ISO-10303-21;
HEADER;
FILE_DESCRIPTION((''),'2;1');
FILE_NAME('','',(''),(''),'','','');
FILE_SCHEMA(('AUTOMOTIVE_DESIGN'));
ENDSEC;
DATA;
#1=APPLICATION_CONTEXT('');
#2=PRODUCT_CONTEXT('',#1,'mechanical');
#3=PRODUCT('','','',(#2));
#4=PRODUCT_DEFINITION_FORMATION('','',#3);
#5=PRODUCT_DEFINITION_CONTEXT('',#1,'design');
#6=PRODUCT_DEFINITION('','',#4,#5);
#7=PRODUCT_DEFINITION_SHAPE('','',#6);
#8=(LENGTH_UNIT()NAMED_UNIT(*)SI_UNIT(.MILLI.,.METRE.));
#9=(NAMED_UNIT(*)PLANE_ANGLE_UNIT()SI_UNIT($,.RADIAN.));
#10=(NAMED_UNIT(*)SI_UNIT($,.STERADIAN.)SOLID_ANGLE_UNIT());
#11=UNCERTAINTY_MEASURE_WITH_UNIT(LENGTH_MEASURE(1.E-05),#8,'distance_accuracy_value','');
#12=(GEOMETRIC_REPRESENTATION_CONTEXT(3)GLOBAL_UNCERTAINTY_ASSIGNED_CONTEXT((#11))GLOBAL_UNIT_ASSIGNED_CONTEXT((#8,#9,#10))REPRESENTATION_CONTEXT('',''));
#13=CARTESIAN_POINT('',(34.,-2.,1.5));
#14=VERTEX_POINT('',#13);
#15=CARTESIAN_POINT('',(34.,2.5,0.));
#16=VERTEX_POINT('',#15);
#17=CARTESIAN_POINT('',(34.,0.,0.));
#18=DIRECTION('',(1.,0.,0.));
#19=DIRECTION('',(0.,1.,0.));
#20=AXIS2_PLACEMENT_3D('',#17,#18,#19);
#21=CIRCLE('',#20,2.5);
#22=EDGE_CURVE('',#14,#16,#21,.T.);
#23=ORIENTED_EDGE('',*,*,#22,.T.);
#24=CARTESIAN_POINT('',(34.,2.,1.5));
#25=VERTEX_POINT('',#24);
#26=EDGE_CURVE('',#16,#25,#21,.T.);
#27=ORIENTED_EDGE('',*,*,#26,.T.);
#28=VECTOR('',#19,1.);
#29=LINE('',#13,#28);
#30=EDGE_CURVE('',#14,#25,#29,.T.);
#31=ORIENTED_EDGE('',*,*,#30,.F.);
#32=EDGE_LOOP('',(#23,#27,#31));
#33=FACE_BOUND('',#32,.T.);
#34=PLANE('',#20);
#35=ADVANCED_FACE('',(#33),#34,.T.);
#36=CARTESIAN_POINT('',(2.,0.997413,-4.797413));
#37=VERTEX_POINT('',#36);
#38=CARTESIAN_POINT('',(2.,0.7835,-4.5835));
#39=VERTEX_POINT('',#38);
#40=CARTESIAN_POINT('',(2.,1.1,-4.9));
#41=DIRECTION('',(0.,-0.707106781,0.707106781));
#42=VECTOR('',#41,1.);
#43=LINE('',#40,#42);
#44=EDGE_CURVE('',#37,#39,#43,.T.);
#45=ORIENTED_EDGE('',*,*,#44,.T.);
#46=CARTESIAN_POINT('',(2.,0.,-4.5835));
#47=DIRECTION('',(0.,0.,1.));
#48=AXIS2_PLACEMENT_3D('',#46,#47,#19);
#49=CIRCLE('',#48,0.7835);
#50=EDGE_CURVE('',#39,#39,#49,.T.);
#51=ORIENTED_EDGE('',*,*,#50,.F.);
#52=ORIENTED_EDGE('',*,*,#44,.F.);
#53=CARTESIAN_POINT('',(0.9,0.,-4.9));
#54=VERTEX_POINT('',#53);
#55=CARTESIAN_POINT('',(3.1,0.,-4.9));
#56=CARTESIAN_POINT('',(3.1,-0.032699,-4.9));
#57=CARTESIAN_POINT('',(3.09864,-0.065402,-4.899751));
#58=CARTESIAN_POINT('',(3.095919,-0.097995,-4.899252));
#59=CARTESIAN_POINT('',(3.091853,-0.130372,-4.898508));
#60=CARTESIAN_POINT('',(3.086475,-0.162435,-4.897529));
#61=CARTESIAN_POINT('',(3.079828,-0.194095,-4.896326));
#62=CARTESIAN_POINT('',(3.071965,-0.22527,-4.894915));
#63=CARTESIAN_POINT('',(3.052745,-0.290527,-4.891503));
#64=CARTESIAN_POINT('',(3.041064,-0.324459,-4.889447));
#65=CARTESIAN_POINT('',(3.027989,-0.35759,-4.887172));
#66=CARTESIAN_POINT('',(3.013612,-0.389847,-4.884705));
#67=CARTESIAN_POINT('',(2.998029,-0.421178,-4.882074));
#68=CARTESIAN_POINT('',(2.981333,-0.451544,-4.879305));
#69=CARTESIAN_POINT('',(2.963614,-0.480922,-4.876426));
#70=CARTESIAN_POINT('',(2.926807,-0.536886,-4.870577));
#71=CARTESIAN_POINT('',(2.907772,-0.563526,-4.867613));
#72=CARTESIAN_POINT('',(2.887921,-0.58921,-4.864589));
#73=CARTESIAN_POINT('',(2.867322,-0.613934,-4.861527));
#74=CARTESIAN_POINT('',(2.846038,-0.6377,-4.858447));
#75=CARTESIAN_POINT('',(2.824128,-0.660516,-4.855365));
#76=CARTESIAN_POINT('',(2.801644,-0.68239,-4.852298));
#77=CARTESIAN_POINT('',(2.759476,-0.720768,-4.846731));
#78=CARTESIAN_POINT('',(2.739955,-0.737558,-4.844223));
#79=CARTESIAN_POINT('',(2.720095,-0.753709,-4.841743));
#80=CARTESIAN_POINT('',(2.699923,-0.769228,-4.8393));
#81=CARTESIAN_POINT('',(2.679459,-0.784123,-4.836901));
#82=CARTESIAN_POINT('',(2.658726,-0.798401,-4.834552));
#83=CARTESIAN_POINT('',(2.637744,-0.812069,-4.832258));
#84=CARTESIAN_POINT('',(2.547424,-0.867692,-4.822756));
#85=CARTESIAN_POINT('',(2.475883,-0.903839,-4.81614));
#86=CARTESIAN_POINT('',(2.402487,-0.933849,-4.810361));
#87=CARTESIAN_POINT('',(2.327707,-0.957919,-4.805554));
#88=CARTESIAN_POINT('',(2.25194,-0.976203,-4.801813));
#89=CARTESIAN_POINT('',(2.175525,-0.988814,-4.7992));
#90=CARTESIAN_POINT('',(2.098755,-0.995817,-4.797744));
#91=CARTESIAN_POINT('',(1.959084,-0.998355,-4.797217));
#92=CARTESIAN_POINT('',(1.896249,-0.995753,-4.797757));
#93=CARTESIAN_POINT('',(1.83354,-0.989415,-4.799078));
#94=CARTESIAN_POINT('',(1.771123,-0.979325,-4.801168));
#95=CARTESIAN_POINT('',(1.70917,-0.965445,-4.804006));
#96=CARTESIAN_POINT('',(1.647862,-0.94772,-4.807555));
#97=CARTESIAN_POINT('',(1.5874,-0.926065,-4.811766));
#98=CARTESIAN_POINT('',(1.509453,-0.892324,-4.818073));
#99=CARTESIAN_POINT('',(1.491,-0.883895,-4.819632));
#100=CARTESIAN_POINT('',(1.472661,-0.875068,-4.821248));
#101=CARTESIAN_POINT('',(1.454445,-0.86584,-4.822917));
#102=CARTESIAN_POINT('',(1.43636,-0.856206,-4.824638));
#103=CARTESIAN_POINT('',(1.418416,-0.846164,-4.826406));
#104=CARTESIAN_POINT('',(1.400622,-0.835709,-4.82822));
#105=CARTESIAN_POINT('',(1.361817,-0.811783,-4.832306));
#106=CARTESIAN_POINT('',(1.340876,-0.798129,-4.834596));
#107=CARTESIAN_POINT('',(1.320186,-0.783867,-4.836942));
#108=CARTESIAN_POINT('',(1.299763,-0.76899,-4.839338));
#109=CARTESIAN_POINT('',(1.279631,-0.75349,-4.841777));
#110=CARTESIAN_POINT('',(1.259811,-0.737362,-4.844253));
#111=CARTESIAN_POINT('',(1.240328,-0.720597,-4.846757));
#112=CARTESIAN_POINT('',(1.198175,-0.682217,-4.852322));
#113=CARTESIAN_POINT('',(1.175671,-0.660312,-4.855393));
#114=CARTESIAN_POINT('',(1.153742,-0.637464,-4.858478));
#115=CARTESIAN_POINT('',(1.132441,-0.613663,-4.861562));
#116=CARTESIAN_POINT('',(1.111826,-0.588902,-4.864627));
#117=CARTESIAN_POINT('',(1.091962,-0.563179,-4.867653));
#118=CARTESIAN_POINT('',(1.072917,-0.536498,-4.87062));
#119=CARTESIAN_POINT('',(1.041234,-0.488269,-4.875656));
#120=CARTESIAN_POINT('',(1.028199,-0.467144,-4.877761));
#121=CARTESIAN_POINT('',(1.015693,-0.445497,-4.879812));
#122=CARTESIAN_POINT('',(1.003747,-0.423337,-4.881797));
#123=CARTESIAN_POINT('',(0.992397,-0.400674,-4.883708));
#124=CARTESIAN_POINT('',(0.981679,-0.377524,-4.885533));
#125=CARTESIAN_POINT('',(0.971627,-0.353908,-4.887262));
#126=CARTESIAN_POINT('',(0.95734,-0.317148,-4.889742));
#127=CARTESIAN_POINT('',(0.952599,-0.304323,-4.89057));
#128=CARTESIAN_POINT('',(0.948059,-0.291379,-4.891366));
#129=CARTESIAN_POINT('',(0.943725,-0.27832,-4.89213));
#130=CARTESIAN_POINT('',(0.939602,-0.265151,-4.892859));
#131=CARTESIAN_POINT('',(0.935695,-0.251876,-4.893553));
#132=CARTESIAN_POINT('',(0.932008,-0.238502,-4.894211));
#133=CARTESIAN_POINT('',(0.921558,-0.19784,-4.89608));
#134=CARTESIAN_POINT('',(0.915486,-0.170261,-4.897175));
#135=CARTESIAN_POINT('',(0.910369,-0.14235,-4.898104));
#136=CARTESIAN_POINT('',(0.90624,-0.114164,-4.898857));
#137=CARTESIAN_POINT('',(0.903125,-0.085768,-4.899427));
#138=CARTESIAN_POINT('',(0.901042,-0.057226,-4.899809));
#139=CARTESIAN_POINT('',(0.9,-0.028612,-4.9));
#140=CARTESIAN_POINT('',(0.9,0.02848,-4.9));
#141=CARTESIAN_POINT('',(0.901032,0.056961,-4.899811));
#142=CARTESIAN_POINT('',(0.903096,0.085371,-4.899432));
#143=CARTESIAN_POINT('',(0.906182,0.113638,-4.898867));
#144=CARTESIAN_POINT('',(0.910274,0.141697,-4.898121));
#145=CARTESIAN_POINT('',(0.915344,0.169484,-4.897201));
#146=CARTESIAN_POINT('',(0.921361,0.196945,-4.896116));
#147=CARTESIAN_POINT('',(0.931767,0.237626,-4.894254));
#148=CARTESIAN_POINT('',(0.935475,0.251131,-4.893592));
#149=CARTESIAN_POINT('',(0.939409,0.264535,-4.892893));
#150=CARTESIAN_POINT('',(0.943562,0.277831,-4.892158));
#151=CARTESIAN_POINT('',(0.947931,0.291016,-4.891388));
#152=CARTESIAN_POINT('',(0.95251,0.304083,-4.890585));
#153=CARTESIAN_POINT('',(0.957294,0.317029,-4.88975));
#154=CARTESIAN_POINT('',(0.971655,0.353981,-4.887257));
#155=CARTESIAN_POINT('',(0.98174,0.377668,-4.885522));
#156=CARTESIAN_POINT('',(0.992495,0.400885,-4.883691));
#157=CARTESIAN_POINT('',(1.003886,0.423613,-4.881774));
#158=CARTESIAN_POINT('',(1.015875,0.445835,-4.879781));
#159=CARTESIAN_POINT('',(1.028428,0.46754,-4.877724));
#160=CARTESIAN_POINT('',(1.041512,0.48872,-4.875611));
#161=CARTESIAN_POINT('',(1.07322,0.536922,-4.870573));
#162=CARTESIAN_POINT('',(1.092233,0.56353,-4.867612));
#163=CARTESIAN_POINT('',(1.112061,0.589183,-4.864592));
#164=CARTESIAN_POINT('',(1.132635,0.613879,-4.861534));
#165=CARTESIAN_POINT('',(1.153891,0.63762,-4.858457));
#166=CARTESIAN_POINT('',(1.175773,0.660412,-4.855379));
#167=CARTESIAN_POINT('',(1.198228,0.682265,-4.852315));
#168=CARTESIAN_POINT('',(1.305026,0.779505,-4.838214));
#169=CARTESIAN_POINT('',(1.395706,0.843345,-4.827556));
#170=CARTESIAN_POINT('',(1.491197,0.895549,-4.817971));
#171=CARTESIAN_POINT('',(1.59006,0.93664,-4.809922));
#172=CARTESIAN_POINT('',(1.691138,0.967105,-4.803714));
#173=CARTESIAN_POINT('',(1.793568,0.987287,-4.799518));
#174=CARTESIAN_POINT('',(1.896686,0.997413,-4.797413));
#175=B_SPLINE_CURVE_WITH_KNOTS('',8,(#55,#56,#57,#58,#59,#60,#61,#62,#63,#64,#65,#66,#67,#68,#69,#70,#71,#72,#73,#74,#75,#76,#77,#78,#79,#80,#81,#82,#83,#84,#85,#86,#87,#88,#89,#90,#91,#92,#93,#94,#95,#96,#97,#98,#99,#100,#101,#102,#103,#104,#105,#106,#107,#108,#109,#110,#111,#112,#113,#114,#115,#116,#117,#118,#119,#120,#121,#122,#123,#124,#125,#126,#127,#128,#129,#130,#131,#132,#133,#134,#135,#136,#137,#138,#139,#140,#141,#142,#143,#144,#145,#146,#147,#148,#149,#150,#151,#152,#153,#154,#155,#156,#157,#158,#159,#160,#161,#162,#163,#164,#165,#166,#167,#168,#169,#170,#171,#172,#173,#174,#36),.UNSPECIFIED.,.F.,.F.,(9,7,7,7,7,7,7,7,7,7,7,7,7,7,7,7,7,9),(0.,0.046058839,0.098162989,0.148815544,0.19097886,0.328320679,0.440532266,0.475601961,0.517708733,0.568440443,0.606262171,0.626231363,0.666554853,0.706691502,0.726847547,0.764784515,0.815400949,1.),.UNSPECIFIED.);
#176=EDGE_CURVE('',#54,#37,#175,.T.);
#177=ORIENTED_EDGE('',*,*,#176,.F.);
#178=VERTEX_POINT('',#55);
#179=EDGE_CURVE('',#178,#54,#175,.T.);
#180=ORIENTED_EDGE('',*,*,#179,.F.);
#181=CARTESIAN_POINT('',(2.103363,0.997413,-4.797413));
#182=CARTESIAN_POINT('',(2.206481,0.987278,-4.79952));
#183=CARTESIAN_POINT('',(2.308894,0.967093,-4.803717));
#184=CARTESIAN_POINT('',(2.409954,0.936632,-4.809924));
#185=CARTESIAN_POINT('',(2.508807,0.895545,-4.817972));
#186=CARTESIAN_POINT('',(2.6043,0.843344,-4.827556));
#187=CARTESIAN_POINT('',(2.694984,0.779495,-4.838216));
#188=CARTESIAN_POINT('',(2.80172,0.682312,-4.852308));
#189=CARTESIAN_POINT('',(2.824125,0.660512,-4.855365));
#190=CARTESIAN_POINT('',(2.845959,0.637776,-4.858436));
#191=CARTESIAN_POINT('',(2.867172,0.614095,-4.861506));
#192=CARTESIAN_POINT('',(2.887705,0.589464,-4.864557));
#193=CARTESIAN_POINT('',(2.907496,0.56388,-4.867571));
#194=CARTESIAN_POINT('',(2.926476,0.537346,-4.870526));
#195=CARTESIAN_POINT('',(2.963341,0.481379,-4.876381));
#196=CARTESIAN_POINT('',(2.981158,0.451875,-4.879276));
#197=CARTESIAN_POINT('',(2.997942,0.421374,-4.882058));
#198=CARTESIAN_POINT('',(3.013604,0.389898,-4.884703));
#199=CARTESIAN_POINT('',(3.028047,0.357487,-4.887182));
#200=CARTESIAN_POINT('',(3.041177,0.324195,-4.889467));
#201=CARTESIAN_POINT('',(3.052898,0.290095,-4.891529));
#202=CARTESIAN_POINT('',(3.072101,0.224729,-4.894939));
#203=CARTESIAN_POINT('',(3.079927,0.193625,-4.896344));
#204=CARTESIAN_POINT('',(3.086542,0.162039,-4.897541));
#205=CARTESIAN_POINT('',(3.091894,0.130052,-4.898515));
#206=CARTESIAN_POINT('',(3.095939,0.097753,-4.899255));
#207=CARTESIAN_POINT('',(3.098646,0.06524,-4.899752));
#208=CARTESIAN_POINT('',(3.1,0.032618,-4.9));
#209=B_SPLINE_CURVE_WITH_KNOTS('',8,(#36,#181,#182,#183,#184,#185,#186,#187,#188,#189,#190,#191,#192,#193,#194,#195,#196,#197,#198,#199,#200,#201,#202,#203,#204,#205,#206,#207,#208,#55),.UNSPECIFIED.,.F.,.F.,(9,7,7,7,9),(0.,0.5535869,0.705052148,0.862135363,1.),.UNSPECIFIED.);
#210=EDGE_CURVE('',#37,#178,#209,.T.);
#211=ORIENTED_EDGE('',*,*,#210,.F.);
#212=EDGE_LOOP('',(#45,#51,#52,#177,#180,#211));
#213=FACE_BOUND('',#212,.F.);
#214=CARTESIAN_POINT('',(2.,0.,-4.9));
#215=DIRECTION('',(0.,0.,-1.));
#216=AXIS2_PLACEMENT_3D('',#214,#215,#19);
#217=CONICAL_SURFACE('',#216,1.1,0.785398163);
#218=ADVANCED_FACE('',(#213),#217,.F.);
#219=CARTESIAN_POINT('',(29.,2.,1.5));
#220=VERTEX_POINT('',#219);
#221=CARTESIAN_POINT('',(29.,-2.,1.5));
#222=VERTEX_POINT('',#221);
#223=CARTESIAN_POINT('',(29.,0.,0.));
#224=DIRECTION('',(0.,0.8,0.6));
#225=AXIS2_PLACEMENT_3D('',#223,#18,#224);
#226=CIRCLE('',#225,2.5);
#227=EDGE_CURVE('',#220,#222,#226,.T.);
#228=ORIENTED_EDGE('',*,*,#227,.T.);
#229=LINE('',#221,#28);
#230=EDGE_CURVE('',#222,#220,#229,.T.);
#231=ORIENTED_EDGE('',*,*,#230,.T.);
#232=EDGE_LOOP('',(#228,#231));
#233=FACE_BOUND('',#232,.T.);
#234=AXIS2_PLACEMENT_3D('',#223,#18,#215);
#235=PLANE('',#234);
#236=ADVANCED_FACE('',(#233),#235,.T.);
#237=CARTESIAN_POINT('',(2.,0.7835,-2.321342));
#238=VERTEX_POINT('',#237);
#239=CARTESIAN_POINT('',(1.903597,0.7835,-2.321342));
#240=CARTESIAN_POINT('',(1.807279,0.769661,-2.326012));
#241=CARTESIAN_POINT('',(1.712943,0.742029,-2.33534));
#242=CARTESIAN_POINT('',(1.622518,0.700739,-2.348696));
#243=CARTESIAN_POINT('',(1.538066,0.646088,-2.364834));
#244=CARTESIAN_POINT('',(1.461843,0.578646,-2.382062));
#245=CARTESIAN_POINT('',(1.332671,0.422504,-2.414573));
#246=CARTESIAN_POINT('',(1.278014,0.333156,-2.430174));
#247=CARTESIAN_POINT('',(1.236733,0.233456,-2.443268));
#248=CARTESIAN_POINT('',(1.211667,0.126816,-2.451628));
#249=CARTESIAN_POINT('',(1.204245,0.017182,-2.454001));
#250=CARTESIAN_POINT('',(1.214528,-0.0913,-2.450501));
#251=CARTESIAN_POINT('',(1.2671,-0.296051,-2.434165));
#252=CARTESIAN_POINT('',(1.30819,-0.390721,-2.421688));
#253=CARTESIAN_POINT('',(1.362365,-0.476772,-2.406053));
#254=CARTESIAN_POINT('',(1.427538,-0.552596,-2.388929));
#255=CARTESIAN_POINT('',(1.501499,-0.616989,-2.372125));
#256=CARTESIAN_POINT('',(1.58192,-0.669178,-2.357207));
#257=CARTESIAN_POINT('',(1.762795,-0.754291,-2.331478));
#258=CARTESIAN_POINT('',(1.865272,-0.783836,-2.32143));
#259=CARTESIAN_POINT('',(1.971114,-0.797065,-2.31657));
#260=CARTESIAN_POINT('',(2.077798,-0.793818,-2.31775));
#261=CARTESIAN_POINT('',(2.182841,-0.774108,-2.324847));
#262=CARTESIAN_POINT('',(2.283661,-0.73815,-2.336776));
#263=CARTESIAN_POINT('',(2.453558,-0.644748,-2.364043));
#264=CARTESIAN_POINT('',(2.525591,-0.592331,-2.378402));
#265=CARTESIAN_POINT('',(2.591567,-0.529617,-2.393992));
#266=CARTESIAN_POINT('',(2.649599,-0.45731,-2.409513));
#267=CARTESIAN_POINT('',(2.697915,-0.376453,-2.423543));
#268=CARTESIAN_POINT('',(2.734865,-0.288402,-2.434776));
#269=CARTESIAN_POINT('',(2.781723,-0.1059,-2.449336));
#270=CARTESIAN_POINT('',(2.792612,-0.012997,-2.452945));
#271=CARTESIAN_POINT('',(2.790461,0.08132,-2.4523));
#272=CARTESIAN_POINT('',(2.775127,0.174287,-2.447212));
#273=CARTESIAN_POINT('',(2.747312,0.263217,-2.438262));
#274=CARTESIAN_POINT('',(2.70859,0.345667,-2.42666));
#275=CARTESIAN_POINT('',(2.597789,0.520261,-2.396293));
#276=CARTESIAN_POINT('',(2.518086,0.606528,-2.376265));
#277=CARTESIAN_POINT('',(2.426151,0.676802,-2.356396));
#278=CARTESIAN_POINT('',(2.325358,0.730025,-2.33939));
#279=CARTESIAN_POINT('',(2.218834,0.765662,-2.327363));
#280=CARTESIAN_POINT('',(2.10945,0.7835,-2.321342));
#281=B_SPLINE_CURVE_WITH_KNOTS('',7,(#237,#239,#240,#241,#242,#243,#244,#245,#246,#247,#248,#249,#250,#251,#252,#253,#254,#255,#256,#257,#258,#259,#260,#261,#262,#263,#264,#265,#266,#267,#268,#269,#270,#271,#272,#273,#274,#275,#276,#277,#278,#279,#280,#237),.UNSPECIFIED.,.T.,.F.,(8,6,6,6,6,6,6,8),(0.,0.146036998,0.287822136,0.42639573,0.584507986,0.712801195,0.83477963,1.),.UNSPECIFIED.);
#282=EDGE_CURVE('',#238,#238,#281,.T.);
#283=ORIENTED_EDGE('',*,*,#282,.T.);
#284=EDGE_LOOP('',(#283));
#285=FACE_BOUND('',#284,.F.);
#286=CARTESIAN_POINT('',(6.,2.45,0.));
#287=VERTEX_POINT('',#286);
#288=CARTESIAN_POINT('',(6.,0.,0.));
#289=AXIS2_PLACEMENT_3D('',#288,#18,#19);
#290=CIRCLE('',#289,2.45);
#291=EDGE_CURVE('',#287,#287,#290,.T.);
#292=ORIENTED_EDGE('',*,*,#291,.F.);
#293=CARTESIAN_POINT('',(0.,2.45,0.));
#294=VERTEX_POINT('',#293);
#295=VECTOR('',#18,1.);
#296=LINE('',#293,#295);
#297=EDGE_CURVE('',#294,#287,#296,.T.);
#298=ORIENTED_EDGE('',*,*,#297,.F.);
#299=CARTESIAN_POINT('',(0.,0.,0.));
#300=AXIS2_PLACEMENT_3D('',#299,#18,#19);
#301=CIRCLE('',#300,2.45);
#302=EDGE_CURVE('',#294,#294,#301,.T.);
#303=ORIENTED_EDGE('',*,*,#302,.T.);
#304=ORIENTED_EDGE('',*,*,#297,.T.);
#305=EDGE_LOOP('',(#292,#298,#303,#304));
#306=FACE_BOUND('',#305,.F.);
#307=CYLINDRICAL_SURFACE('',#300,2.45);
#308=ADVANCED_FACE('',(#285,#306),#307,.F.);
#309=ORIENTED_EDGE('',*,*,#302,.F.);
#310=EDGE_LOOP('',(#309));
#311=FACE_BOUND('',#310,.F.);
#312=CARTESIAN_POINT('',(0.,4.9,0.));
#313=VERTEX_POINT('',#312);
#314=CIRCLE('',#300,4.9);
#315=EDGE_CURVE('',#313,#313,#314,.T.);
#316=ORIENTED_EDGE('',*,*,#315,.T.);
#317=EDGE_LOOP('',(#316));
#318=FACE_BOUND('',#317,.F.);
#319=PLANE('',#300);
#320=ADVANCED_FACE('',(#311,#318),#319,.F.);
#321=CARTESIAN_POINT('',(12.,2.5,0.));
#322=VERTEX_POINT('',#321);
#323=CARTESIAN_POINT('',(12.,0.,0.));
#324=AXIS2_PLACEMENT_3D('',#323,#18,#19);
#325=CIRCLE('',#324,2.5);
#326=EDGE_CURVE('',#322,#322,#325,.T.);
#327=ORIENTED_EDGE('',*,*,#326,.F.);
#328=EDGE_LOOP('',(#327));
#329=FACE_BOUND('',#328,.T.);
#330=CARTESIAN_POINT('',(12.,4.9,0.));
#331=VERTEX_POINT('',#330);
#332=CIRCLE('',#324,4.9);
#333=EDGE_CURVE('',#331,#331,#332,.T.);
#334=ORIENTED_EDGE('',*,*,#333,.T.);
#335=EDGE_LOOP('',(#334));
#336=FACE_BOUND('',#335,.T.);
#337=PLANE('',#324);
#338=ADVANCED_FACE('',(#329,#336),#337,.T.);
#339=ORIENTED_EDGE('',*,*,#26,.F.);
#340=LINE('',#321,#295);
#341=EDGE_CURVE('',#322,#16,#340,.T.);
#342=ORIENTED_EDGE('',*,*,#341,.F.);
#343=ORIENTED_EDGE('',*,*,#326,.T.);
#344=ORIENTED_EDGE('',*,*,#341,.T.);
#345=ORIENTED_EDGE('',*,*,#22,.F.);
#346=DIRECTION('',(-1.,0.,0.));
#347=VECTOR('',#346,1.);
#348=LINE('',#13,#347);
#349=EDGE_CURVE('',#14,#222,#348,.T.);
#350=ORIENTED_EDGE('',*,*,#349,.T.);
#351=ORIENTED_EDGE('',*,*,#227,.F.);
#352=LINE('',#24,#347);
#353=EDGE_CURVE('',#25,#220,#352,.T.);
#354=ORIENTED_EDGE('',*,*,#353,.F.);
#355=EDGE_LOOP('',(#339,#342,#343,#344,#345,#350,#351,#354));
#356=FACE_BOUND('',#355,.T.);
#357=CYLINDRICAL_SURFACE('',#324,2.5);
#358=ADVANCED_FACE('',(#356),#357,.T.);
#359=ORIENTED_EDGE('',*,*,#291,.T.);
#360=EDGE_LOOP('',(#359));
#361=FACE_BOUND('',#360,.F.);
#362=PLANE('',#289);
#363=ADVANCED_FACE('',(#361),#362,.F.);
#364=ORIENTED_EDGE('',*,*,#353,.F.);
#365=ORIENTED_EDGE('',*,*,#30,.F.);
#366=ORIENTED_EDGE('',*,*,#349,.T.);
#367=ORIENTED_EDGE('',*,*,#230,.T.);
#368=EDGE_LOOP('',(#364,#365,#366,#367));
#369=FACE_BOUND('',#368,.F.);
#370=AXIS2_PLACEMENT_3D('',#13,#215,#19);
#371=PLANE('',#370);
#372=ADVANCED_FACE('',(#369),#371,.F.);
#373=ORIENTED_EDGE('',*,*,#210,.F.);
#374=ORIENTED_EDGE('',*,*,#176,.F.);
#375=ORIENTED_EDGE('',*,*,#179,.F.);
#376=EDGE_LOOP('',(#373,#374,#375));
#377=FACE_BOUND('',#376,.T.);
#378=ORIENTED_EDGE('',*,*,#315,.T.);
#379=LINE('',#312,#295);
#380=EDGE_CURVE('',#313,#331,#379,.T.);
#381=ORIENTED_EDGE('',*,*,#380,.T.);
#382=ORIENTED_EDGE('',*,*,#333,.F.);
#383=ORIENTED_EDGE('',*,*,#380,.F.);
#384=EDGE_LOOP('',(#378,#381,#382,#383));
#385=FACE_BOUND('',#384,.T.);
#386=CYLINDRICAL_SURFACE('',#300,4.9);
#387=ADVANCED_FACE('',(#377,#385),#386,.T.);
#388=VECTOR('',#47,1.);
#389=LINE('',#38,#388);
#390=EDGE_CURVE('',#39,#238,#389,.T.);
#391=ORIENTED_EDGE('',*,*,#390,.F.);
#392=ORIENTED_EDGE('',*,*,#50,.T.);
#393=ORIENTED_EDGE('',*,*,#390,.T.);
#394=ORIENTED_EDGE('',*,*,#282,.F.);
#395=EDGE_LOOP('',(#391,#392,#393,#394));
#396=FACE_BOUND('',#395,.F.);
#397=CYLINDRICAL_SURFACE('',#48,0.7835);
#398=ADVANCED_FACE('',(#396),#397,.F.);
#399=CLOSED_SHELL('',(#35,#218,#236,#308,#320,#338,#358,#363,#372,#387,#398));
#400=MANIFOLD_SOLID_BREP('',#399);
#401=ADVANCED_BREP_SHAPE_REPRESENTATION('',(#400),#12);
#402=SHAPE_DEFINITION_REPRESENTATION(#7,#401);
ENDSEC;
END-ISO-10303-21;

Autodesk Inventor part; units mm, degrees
ref_plane "YZ Plane" through (0, 0, 0) normal (1, 0, 0) x (0, 1, 0)
ref_plane "XZ Plane" through (0, 0, 0) normal (0, 1, 0) x (-1, 0, 0)
sketch "Sketch1" plane through (0, 0, 0) normal (0, 0, 1) x (1, 0, 0)
  line L0 (0, 0) -> (34, 0) construction
  line L1 (0, 0) -> (0, 4.9) construction
  line L2 (0, 4.9) -> (12, 4.9)
  line L3 (12, 4.9) -> (12, 2.5)
  line L4 (12, 2.5) -> (34, 2.5)
  line L5 (34, 2.5) -> (34, 0) construction
  line L6 (0, 4.9) -> (0, 2.45)
  line L7 (0, 2.45) -> (6, 2.45)
  line L8 (6, 2.45) -> (6, 0)
  line L9 (34, 2.5) -> (34, 0)
  line L10 (6, 0) -> (34, 0)
  dimension "d0" = 34
  dimension "d3" = 12
  dimension "d4" = 9.8
  dimension "d5" = 4.9
  dimension "d6" = 6
  dimension "d7" = 5
revolve "Révolution1" add sketch "Sketch1" angle 360 about axis through (6, 0, 0) along (1, 0, 0)
sketch "Esquisse2" plane through (34, 0, 0) normal (1, 0, 0) x (0, 0, -1)
  circle A0 centre (0, 0) radius 2.5 construction
  line L0 (-1.5, -2) -> (-1.5, 2)
  arc A1 (-1.5, 2) -> (-1.5, -2) centre (0, 0) ccw
  dimension "d9" = 1.5
extrude "Extrusion1" cut sketch "Esquisse2" against normal blind 5
ref_plane "Plan de construction2" through (6, 0, -4.9) normal (0, 0, -1) x (-1, 0, 0)
ref_plane "Plan de construction1" through (6, 0, 4.9) normal (0, 0, 1) x (1, 0, 0)
sketch "Esquisse4" plane through (6, 0, -4.9) normal (0, 0, -1) x (-1, 0, 0)
  line L0 (6, 4.9) -> (6, -4.9) construction
  point P0 (6, 0)
  point P1 (4, 0)
  dimension "d20" = 2
hole "Perçage2" at (2, 0, -4.9) direction (0, 0, 1) diameter 1.567 depth 5 tip angle 118 countersink diameter 2.2 countersink angle 90 thread size "M2x0.4" class "6H" standard "ISO Metric profile"
properties part number "M000" material "Acier"
